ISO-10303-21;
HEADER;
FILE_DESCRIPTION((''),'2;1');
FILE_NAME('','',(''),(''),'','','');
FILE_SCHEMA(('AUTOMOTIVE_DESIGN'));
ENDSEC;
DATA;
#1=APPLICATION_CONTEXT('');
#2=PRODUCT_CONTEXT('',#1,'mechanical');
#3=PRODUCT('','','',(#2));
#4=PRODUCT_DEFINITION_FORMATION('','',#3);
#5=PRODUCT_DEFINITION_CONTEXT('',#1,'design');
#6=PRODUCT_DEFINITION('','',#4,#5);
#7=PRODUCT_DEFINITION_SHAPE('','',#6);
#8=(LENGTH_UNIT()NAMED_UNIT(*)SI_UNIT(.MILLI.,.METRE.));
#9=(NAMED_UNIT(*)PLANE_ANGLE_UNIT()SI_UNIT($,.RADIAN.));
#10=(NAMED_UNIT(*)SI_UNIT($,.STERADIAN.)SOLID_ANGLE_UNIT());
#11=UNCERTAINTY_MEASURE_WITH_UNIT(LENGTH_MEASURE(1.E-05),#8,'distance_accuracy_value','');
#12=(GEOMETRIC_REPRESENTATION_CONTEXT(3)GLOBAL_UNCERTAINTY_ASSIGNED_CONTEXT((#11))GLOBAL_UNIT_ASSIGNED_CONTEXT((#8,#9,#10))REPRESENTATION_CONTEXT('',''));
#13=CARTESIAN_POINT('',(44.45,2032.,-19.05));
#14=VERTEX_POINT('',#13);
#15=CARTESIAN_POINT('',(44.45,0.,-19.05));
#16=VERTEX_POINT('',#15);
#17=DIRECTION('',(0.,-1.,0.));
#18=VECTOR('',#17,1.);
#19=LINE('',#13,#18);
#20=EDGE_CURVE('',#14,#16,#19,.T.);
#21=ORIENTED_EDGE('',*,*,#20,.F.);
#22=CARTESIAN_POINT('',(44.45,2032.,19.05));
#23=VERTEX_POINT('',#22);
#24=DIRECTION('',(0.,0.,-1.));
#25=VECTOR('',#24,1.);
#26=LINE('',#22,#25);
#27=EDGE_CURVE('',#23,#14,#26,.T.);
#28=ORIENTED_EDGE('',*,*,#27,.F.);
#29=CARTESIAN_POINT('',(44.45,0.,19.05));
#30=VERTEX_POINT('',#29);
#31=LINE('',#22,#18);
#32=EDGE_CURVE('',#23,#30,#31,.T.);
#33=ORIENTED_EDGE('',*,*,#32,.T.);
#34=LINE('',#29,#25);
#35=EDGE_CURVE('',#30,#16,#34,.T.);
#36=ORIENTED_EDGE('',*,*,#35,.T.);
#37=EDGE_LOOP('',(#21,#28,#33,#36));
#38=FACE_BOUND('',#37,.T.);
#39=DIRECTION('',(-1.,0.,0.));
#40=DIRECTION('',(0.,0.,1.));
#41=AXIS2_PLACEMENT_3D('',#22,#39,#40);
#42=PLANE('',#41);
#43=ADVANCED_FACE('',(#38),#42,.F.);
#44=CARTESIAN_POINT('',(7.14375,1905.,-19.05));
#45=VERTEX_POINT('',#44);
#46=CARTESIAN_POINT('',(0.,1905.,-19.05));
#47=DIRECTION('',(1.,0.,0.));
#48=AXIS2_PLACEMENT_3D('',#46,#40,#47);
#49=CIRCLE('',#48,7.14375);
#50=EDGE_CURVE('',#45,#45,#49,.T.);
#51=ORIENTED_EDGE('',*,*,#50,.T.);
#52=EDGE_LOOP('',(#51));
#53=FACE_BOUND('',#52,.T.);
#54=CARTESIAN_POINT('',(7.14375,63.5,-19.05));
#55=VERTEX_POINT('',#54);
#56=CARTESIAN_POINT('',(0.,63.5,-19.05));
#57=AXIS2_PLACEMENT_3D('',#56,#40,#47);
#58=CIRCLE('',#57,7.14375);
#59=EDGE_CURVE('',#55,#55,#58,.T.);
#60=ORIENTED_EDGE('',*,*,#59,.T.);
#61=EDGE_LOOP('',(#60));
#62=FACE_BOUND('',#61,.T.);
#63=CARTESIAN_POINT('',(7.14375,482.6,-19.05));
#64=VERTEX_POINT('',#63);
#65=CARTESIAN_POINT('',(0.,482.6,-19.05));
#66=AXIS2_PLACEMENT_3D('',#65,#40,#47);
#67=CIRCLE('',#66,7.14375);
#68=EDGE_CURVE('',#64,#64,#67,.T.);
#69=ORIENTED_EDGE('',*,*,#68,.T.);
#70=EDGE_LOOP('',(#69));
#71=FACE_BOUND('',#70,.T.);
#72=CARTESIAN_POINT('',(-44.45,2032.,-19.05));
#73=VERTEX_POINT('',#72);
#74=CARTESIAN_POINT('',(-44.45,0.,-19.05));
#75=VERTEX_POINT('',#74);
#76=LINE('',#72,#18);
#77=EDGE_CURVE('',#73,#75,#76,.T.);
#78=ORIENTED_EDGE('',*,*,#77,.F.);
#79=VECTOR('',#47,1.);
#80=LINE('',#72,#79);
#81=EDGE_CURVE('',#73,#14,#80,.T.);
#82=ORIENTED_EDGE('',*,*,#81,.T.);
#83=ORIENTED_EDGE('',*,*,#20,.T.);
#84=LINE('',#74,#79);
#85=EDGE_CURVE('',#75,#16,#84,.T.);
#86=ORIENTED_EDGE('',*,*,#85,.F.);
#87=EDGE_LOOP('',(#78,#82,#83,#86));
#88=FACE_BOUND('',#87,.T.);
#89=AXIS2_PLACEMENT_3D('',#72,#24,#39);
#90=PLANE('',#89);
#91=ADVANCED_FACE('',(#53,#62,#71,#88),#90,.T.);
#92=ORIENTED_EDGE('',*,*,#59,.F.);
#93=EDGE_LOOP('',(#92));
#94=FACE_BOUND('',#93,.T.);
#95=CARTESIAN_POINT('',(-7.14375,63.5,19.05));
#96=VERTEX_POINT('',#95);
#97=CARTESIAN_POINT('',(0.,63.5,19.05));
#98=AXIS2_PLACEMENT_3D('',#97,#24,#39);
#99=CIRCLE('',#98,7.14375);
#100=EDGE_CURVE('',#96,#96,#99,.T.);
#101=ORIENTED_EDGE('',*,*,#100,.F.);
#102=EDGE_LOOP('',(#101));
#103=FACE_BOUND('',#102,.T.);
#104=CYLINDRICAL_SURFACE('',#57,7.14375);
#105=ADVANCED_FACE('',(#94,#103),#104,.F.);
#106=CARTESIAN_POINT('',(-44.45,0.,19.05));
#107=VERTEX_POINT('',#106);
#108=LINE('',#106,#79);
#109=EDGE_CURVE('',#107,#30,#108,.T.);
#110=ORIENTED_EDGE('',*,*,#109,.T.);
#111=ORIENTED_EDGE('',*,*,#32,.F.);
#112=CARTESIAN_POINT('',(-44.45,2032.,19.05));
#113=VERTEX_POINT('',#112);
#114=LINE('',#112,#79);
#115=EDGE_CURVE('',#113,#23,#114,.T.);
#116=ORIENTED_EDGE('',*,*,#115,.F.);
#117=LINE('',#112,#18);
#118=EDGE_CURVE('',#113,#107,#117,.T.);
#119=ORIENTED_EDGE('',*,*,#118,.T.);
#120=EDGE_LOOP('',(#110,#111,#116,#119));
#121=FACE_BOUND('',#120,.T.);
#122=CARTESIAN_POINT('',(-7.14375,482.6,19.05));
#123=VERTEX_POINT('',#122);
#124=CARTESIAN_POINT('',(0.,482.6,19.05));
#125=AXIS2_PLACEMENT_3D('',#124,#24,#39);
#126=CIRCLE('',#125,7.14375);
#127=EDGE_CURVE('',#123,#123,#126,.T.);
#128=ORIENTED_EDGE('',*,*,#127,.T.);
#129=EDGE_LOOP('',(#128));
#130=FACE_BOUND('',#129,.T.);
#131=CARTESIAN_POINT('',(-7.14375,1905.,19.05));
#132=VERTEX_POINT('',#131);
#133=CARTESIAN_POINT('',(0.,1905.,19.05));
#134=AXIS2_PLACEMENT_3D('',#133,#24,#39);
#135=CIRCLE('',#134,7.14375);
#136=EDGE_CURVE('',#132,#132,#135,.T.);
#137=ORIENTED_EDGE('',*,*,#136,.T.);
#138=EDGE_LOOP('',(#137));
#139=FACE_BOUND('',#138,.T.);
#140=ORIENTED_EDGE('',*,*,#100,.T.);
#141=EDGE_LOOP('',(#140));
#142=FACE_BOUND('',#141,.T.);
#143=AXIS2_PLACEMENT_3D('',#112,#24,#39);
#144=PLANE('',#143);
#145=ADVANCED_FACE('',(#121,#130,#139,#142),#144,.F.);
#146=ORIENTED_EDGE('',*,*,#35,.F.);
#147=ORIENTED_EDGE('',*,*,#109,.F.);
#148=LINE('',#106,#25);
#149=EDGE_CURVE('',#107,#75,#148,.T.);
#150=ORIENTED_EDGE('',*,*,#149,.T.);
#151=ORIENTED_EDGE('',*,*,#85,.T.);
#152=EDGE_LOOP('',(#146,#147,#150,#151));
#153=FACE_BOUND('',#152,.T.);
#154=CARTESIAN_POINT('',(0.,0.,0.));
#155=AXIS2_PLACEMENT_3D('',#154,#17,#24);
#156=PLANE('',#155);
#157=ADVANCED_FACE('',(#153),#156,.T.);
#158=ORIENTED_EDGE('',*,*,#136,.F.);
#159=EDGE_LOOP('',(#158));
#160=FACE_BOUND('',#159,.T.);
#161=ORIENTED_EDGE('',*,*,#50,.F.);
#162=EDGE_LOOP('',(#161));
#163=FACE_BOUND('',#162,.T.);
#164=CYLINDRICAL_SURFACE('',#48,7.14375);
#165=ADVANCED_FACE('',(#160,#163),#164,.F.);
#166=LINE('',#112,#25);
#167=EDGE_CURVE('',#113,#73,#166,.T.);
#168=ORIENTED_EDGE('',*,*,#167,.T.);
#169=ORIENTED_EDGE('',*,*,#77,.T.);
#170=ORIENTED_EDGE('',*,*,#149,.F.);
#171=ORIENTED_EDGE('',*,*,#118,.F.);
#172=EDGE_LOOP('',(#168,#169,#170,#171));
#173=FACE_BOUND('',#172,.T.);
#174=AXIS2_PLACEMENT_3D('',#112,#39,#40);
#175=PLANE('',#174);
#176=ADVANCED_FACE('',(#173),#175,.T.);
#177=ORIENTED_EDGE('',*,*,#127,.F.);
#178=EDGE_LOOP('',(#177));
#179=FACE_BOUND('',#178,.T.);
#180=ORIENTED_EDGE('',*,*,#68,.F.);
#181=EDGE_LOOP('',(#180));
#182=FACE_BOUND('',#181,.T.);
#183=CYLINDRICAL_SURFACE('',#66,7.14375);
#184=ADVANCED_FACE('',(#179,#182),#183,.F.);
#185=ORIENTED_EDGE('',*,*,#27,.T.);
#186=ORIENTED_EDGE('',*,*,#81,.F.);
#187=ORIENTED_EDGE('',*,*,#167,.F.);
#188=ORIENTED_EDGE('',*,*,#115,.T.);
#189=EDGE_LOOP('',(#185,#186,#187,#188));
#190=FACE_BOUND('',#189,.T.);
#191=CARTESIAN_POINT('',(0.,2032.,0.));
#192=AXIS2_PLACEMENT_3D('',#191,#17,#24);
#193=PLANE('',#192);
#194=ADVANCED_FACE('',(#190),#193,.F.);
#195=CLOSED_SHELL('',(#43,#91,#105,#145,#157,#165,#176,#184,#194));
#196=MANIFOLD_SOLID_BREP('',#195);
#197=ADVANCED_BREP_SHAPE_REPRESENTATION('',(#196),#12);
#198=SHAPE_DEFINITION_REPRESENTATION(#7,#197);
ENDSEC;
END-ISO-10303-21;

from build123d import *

# Parameters (mm, degrees)
SKETCH1_W               = 88.9
SKETCH1_H               = 38.1
BOSS_EXTRUDE1_DEPTH     = 2032
SKETCH2_R               = 7.14375
CUT_EXTRUDE1_DEPTH      = 1
CUT_EXTRUDE1_DEPTH_BACK = 39.1


with BuildPart() as part:
    # Sketch1 → Boss-Extrude1 (new body)
    with BuildSketch(Plane(origin=(0, 0, 0), x_dir=(1, 0, 0), z_dir=(0, 1, 0))):
        Rectangle(SKETCH1_W, SKETCH1_H)
    extrude(amount=BOSS_EXTRUDE1_DEPTH)

    # Sketch2 → Cut-Extrude1 (cut, two sides)
    with BuildSketch(Plane.XY.offset(19.05)) as cut_extrude1_sk:
        with Locations((0, 63.5)):
            Circle(SKETCH2_R)
        with Locations((0, 482.6)):
            Circle(SKETCH2_R)
        with Locations((0, 1905)):
            Circle(SKETCH2_R)
    extrude(amount=CUT_EXTRUDE1_DEPTH, mode=Mode.SUBTRACT)
    extrude(cut_extrude1_sk.sketch, amount=-CUT_EXTRUDE1_DEPTH_BACK, mode=Mode.SUBTRACT)


solid = part.part
